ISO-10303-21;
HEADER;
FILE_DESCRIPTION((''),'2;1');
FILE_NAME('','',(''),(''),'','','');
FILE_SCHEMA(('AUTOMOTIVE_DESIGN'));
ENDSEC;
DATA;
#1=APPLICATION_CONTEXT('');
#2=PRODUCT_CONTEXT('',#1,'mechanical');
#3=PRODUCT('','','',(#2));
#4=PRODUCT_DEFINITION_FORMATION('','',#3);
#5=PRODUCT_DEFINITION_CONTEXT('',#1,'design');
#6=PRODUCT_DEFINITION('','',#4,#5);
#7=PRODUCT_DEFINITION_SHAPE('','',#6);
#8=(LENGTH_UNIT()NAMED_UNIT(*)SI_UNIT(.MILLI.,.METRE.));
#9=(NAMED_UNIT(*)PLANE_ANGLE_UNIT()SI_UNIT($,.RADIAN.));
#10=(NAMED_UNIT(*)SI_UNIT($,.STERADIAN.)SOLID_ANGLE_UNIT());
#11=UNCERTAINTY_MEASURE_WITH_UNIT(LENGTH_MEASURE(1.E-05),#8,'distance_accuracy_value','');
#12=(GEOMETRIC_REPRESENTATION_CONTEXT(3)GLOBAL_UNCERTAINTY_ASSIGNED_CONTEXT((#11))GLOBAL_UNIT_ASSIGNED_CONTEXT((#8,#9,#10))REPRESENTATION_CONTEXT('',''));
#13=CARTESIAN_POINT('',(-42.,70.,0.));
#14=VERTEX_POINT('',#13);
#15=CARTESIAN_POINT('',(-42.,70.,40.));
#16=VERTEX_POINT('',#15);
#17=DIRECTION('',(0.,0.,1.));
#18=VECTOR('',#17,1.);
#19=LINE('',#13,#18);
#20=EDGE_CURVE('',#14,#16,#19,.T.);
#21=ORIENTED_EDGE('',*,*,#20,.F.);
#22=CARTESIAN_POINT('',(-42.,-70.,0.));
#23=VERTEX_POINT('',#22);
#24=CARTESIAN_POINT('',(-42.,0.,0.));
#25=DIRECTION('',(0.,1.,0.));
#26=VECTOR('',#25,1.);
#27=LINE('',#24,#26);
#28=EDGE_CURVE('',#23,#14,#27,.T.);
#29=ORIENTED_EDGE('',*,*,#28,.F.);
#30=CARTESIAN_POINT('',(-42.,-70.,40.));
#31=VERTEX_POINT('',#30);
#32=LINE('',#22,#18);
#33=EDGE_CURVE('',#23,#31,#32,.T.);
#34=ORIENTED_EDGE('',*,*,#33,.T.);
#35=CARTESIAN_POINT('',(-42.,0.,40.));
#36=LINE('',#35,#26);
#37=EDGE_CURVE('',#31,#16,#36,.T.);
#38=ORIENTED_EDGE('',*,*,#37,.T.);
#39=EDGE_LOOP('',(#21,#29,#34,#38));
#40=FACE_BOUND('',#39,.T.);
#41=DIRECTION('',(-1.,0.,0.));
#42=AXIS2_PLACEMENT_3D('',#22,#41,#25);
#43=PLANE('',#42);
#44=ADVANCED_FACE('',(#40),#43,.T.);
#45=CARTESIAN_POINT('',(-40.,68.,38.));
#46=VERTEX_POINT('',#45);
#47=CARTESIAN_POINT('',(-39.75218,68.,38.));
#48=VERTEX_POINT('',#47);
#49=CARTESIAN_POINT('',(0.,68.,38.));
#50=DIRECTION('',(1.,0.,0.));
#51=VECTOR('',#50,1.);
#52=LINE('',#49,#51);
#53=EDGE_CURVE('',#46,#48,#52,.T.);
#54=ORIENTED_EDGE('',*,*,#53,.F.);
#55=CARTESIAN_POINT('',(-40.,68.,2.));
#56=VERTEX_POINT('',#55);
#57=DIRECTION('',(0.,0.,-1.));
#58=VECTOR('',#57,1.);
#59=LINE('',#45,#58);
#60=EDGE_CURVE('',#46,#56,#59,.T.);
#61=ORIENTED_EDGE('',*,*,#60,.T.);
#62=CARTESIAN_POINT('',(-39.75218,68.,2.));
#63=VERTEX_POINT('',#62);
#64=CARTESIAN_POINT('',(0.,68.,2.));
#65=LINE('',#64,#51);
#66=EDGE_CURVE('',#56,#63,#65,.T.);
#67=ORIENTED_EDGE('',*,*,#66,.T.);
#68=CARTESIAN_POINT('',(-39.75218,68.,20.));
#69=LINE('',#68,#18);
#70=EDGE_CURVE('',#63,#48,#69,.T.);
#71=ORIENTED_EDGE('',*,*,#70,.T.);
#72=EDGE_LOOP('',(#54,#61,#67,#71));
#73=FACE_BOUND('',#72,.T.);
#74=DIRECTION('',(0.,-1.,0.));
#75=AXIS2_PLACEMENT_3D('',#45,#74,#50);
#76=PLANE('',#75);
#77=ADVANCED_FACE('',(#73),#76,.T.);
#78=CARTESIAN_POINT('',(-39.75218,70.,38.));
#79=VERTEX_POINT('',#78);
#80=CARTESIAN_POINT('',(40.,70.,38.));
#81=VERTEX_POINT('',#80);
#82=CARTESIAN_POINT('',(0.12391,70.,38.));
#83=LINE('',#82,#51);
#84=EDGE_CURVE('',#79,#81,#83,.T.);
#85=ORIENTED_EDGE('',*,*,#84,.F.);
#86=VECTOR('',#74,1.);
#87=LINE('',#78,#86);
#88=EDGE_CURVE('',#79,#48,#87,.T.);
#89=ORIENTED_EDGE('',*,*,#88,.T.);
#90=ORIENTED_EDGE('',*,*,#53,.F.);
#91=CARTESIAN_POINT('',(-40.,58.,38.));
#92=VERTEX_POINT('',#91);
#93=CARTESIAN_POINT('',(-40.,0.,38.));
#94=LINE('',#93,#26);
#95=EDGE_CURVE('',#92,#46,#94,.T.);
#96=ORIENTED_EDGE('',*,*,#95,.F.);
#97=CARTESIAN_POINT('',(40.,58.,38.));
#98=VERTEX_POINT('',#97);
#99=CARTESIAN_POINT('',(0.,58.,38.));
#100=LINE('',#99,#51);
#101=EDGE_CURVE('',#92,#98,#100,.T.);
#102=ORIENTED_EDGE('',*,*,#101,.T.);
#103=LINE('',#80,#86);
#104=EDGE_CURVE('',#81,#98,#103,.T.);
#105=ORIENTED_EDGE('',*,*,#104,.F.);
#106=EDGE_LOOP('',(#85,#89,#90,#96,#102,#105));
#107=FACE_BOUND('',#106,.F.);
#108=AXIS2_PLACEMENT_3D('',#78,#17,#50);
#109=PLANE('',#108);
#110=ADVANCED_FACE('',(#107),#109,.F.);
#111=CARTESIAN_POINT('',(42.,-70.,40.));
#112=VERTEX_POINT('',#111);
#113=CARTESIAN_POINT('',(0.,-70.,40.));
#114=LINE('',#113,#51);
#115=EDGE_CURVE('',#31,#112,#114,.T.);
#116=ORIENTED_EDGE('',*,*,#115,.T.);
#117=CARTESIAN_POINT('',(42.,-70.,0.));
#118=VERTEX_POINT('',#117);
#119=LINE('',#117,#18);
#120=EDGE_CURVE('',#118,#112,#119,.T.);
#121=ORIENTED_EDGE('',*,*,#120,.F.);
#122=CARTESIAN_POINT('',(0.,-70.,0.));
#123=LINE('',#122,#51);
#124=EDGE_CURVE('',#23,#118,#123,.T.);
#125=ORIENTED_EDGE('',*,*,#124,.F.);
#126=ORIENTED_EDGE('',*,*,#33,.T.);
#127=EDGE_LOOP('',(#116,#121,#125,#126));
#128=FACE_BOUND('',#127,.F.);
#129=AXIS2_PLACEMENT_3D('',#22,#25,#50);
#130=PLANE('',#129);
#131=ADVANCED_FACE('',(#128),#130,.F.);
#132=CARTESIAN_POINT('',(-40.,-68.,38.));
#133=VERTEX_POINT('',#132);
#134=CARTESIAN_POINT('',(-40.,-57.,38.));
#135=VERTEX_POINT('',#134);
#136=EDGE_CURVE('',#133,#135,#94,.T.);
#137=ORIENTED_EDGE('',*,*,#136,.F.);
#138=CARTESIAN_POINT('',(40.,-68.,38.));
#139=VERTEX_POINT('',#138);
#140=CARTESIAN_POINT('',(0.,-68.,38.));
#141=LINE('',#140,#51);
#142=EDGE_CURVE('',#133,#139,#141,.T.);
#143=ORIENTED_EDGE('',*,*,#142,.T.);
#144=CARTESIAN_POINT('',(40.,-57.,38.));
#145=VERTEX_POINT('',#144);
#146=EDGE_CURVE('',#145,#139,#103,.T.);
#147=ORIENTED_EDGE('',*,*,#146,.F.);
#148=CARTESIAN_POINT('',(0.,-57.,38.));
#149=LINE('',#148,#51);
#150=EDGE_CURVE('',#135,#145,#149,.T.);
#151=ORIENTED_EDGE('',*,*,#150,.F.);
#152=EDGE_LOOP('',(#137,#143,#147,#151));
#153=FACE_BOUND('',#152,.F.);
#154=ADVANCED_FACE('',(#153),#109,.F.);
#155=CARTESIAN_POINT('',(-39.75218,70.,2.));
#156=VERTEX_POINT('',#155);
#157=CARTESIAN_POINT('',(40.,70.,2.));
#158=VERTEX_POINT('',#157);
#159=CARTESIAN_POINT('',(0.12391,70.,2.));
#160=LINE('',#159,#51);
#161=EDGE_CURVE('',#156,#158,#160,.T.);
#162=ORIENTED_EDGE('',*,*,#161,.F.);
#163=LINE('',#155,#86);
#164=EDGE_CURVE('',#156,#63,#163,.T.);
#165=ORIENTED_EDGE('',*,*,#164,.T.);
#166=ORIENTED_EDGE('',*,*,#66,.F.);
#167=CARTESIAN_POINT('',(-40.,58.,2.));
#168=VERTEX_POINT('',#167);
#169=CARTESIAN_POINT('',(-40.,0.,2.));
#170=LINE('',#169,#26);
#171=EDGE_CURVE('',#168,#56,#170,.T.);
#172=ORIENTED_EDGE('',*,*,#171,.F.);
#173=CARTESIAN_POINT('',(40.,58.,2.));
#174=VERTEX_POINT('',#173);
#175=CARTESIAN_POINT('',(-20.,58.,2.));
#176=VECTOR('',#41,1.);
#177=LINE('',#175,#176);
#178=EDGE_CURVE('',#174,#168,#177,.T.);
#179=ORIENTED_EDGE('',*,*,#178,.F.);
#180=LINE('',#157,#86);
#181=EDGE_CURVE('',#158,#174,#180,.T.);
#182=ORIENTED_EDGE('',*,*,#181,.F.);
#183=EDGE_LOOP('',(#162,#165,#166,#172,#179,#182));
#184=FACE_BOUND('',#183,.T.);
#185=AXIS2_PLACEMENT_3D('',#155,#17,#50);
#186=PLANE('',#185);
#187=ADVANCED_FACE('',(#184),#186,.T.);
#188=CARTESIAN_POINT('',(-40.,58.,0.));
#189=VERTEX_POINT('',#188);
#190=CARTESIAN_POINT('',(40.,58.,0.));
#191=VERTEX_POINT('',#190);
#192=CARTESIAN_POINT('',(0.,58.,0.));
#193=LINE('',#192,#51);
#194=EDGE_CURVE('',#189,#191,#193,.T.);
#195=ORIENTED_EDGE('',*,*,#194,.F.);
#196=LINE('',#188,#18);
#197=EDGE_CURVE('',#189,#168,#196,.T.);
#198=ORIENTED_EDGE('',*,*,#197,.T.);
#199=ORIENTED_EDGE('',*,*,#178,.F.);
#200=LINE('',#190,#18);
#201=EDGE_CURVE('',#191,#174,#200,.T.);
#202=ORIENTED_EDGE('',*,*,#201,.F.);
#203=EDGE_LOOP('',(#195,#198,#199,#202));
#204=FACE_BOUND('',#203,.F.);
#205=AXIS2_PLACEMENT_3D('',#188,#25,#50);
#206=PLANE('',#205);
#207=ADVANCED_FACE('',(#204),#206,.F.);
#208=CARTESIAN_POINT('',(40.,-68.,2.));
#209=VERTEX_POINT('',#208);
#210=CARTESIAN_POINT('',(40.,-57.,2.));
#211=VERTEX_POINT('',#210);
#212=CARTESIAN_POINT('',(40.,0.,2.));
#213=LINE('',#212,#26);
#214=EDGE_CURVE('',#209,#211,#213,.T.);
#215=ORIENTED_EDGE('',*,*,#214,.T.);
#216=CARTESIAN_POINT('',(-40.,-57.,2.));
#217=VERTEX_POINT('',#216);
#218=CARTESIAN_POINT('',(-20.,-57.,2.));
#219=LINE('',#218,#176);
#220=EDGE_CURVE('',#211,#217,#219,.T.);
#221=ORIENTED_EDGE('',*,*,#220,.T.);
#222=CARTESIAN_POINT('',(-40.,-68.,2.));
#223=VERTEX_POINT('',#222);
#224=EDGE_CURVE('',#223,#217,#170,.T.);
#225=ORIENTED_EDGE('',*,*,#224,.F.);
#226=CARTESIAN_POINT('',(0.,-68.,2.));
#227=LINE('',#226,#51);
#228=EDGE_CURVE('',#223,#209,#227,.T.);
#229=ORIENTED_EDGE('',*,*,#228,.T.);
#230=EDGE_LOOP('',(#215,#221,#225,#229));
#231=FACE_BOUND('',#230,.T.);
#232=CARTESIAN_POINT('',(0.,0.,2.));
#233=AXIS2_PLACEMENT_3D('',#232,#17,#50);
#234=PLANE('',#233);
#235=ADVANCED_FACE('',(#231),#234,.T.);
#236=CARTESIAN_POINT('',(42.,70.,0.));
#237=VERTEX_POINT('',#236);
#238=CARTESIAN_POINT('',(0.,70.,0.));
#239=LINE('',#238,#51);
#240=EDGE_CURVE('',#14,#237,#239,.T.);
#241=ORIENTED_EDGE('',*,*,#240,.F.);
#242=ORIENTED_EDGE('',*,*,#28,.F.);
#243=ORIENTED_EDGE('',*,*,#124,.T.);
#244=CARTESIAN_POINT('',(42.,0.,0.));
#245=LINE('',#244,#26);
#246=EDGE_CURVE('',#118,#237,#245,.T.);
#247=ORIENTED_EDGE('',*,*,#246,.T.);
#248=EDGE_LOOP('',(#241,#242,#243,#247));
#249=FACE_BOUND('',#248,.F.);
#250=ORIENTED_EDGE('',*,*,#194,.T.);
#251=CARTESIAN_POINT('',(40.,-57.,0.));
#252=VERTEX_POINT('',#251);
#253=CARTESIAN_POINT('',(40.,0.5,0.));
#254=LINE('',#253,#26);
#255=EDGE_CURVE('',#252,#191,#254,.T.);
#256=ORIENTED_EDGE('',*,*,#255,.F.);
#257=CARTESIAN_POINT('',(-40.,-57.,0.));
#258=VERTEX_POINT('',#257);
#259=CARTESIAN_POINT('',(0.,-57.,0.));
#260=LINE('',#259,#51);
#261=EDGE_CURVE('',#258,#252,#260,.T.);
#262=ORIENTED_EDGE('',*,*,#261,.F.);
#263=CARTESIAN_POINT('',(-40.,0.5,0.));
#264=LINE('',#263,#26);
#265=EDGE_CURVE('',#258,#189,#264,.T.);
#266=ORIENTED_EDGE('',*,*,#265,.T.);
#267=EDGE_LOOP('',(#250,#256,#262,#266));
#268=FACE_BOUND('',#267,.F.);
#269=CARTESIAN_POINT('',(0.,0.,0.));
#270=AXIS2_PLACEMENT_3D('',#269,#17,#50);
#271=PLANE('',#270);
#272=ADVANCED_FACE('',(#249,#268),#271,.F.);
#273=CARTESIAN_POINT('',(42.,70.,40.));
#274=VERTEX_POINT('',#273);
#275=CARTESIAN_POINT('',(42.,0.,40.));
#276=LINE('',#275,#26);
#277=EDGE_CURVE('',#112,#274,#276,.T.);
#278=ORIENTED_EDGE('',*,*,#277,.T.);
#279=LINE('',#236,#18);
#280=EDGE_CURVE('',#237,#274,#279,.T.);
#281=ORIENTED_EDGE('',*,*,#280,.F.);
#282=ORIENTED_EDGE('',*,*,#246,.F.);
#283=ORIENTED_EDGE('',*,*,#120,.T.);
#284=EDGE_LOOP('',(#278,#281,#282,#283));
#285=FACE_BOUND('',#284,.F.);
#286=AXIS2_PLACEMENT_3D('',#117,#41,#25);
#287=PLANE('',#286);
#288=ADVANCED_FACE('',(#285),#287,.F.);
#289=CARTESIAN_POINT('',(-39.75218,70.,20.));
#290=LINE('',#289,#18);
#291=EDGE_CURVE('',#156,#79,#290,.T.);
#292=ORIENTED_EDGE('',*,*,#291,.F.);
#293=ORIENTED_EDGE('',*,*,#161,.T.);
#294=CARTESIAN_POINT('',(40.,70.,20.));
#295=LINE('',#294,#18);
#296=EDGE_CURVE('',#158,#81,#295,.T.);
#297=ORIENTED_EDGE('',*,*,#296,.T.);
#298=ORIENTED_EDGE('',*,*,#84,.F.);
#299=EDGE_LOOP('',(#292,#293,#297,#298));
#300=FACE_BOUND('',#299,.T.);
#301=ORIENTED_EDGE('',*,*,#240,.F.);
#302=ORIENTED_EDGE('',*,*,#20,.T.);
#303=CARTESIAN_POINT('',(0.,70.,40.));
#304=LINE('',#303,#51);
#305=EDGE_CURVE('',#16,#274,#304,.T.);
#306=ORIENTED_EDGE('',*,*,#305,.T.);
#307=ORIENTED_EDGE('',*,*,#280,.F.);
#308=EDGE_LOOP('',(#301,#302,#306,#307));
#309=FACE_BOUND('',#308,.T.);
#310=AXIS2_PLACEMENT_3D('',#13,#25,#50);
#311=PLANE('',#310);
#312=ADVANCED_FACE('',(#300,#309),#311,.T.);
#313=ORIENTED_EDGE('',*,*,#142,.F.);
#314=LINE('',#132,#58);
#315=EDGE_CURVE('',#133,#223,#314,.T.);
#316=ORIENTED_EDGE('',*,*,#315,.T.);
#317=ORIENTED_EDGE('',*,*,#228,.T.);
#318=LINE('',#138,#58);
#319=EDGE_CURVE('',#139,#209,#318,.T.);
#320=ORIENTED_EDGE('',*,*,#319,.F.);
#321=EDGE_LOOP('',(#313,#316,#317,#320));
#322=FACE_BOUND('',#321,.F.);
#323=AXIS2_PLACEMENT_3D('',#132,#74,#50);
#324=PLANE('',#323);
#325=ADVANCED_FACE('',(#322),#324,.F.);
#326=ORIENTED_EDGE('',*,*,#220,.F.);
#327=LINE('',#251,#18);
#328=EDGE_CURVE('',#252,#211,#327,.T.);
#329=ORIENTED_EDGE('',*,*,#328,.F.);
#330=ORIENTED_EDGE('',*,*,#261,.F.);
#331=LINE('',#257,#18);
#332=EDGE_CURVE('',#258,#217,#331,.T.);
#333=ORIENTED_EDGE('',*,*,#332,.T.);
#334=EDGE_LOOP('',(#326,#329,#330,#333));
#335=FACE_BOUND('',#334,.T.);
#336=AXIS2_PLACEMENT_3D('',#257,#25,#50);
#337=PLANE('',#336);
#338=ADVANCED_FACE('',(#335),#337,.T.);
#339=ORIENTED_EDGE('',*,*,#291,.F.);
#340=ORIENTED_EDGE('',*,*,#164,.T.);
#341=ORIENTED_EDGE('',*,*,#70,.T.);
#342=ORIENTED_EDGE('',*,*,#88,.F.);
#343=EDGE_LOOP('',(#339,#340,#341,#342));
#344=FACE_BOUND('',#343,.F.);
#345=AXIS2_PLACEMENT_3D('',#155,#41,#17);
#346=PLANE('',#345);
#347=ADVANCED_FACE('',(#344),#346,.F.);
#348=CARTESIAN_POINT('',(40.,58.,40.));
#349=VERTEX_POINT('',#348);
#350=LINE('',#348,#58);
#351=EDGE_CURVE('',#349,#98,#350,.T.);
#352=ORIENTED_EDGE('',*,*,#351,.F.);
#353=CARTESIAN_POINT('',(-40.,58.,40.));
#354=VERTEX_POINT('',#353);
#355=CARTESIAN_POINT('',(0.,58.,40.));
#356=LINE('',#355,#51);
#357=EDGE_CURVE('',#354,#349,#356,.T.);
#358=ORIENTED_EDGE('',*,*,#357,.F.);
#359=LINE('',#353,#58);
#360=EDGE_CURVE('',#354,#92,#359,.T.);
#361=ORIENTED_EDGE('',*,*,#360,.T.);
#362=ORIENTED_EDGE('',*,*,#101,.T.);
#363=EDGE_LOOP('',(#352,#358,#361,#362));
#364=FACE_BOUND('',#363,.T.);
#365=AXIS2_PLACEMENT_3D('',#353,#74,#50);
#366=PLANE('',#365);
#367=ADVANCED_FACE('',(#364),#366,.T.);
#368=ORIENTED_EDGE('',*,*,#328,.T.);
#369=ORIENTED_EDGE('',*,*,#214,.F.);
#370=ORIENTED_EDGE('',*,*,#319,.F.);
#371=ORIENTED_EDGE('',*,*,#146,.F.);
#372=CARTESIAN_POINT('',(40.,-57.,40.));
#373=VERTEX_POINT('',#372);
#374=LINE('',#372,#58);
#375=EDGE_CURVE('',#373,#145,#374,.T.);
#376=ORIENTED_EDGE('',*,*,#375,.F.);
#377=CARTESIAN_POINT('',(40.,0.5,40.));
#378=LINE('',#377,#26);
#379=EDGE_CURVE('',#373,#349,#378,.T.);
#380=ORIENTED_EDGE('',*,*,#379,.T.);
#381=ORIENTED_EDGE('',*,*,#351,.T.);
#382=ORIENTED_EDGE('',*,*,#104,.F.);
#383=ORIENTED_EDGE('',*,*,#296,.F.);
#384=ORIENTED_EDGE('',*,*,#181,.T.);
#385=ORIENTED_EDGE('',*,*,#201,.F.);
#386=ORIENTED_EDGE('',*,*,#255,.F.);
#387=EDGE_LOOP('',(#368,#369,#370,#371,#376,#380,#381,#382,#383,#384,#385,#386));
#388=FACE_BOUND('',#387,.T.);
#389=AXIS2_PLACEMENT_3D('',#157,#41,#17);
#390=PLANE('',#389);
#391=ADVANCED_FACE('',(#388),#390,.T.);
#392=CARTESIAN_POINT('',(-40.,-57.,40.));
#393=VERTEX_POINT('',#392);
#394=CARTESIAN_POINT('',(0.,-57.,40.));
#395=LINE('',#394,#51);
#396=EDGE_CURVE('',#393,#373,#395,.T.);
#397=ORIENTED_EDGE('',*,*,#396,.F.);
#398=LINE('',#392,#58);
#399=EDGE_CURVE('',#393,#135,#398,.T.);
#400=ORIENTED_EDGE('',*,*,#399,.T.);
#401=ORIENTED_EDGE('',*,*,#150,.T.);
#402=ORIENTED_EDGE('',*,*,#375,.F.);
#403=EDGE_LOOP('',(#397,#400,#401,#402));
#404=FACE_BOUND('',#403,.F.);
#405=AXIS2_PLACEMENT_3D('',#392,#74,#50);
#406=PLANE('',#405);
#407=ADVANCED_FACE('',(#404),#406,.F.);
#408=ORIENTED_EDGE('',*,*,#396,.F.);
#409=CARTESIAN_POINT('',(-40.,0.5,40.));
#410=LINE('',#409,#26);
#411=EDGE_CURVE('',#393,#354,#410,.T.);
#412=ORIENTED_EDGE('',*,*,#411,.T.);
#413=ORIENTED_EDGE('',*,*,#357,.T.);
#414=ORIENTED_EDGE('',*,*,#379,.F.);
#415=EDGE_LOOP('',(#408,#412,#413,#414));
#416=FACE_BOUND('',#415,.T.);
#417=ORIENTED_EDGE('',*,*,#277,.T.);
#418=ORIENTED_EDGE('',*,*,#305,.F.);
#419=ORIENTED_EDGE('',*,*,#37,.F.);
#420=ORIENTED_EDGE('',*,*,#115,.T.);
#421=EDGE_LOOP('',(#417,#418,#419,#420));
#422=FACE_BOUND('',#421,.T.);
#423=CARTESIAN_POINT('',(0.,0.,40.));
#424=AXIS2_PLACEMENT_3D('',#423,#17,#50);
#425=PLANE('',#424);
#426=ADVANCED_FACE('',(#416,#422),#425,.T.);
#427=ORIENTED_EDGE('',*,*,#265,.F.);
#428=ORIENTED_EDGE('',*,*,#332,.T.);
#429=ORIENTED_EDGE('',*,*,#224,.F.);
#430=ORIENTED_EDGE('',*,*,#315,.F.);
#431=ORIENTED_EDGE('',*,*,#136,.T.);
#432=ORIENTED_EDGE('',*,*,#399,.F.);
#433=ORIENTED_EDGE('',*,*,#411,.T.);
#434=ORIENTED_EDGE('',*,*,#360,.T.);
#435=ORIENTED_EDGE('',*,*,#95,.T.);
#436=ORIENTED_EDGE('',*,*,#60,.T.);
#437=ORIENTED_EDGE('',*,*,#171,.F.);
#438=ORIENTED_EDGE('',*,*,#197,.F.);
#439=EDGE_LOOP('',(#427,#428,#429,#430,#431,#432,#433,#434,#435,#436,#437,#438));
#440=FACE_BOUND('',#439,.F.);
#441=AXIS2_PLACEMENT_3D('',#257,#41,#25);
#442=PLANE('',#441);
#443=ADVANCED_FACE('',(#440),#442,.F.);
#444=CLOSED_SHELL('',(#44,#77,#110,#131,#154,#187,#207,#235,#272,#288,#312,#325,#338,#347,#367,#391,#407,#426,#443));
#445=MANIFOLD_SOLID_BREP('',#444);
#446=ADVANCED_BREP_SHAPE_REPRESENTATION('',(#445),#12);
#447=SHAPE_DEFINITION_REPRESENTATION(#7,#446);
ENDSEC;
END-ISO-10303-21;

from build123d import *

# Parameters (mm, degrees)
SKETCH_W        = 84
SKETCH_H        = 140
PAD_DEPTH       = 40
SKETCH001_W     = 80
SKETCH001_H     = 136
POCKET_DEPTH    = 36
SKETCH004_W     = 80
SKETCH004_H     = 115
POCKET003_DEPTH = 4
SKETCH005_W     = 79.75218
SKETCH005_H     = 36
POCKET004_DEPTH = 2
SKETCH006_W     = 80
SKETCH006_H     = 115
POCKET005_DEPTH = 2


with BuildPart() as part:
    # Sketch → Pad (new body)
    with BuildSketch(Plane.XY):
        Rectangle(SKETCH_W, SKETCH_H)
    extrude(amount=PAD_DEPTH)

    # Sketch001 → Pocket (cut)
    with BuildSketch(Plane.XY.offset(38)):
        Rectangle(SKETCH001_W, SKETCH001_H)
    extrude(amount=-POCKET_DEPTH, mode=Mode.SUBTRACT)

    # Sketch004 → Pocket003 (cut)
    with BuildSketch(Plane.XY):
        with Locations((0, 0.5)):
            Rectangle(SKETCH004_W, SKETCH004_H)
    extrude(amount=POCKET003_DEPTH, mode=Mode.SUBTRACT)

    # Sketch005 → Pocket004 (cut)
    with BuildSketch(Plane.XZ.offset(-70)):
        with Locations((0.12391, 20)):
            Rectangle(SKETCH005_W, SKETCH005_H)
    extrude(amount=POCKET004_DEPTH, mode=Mode.SUBTRACT)

    # Sketch006 → Pocket005 (cut)
    with BuildSketch(Plane.XY.offset(40)):
        with Locations((0, 0.5)):
            Rectangle(SKETCH006_W, SKETCH006_H)
    extrude(amount=-POCKET005_DEPTH, mode=Mode.SUBTRACT)


solid = part.part
